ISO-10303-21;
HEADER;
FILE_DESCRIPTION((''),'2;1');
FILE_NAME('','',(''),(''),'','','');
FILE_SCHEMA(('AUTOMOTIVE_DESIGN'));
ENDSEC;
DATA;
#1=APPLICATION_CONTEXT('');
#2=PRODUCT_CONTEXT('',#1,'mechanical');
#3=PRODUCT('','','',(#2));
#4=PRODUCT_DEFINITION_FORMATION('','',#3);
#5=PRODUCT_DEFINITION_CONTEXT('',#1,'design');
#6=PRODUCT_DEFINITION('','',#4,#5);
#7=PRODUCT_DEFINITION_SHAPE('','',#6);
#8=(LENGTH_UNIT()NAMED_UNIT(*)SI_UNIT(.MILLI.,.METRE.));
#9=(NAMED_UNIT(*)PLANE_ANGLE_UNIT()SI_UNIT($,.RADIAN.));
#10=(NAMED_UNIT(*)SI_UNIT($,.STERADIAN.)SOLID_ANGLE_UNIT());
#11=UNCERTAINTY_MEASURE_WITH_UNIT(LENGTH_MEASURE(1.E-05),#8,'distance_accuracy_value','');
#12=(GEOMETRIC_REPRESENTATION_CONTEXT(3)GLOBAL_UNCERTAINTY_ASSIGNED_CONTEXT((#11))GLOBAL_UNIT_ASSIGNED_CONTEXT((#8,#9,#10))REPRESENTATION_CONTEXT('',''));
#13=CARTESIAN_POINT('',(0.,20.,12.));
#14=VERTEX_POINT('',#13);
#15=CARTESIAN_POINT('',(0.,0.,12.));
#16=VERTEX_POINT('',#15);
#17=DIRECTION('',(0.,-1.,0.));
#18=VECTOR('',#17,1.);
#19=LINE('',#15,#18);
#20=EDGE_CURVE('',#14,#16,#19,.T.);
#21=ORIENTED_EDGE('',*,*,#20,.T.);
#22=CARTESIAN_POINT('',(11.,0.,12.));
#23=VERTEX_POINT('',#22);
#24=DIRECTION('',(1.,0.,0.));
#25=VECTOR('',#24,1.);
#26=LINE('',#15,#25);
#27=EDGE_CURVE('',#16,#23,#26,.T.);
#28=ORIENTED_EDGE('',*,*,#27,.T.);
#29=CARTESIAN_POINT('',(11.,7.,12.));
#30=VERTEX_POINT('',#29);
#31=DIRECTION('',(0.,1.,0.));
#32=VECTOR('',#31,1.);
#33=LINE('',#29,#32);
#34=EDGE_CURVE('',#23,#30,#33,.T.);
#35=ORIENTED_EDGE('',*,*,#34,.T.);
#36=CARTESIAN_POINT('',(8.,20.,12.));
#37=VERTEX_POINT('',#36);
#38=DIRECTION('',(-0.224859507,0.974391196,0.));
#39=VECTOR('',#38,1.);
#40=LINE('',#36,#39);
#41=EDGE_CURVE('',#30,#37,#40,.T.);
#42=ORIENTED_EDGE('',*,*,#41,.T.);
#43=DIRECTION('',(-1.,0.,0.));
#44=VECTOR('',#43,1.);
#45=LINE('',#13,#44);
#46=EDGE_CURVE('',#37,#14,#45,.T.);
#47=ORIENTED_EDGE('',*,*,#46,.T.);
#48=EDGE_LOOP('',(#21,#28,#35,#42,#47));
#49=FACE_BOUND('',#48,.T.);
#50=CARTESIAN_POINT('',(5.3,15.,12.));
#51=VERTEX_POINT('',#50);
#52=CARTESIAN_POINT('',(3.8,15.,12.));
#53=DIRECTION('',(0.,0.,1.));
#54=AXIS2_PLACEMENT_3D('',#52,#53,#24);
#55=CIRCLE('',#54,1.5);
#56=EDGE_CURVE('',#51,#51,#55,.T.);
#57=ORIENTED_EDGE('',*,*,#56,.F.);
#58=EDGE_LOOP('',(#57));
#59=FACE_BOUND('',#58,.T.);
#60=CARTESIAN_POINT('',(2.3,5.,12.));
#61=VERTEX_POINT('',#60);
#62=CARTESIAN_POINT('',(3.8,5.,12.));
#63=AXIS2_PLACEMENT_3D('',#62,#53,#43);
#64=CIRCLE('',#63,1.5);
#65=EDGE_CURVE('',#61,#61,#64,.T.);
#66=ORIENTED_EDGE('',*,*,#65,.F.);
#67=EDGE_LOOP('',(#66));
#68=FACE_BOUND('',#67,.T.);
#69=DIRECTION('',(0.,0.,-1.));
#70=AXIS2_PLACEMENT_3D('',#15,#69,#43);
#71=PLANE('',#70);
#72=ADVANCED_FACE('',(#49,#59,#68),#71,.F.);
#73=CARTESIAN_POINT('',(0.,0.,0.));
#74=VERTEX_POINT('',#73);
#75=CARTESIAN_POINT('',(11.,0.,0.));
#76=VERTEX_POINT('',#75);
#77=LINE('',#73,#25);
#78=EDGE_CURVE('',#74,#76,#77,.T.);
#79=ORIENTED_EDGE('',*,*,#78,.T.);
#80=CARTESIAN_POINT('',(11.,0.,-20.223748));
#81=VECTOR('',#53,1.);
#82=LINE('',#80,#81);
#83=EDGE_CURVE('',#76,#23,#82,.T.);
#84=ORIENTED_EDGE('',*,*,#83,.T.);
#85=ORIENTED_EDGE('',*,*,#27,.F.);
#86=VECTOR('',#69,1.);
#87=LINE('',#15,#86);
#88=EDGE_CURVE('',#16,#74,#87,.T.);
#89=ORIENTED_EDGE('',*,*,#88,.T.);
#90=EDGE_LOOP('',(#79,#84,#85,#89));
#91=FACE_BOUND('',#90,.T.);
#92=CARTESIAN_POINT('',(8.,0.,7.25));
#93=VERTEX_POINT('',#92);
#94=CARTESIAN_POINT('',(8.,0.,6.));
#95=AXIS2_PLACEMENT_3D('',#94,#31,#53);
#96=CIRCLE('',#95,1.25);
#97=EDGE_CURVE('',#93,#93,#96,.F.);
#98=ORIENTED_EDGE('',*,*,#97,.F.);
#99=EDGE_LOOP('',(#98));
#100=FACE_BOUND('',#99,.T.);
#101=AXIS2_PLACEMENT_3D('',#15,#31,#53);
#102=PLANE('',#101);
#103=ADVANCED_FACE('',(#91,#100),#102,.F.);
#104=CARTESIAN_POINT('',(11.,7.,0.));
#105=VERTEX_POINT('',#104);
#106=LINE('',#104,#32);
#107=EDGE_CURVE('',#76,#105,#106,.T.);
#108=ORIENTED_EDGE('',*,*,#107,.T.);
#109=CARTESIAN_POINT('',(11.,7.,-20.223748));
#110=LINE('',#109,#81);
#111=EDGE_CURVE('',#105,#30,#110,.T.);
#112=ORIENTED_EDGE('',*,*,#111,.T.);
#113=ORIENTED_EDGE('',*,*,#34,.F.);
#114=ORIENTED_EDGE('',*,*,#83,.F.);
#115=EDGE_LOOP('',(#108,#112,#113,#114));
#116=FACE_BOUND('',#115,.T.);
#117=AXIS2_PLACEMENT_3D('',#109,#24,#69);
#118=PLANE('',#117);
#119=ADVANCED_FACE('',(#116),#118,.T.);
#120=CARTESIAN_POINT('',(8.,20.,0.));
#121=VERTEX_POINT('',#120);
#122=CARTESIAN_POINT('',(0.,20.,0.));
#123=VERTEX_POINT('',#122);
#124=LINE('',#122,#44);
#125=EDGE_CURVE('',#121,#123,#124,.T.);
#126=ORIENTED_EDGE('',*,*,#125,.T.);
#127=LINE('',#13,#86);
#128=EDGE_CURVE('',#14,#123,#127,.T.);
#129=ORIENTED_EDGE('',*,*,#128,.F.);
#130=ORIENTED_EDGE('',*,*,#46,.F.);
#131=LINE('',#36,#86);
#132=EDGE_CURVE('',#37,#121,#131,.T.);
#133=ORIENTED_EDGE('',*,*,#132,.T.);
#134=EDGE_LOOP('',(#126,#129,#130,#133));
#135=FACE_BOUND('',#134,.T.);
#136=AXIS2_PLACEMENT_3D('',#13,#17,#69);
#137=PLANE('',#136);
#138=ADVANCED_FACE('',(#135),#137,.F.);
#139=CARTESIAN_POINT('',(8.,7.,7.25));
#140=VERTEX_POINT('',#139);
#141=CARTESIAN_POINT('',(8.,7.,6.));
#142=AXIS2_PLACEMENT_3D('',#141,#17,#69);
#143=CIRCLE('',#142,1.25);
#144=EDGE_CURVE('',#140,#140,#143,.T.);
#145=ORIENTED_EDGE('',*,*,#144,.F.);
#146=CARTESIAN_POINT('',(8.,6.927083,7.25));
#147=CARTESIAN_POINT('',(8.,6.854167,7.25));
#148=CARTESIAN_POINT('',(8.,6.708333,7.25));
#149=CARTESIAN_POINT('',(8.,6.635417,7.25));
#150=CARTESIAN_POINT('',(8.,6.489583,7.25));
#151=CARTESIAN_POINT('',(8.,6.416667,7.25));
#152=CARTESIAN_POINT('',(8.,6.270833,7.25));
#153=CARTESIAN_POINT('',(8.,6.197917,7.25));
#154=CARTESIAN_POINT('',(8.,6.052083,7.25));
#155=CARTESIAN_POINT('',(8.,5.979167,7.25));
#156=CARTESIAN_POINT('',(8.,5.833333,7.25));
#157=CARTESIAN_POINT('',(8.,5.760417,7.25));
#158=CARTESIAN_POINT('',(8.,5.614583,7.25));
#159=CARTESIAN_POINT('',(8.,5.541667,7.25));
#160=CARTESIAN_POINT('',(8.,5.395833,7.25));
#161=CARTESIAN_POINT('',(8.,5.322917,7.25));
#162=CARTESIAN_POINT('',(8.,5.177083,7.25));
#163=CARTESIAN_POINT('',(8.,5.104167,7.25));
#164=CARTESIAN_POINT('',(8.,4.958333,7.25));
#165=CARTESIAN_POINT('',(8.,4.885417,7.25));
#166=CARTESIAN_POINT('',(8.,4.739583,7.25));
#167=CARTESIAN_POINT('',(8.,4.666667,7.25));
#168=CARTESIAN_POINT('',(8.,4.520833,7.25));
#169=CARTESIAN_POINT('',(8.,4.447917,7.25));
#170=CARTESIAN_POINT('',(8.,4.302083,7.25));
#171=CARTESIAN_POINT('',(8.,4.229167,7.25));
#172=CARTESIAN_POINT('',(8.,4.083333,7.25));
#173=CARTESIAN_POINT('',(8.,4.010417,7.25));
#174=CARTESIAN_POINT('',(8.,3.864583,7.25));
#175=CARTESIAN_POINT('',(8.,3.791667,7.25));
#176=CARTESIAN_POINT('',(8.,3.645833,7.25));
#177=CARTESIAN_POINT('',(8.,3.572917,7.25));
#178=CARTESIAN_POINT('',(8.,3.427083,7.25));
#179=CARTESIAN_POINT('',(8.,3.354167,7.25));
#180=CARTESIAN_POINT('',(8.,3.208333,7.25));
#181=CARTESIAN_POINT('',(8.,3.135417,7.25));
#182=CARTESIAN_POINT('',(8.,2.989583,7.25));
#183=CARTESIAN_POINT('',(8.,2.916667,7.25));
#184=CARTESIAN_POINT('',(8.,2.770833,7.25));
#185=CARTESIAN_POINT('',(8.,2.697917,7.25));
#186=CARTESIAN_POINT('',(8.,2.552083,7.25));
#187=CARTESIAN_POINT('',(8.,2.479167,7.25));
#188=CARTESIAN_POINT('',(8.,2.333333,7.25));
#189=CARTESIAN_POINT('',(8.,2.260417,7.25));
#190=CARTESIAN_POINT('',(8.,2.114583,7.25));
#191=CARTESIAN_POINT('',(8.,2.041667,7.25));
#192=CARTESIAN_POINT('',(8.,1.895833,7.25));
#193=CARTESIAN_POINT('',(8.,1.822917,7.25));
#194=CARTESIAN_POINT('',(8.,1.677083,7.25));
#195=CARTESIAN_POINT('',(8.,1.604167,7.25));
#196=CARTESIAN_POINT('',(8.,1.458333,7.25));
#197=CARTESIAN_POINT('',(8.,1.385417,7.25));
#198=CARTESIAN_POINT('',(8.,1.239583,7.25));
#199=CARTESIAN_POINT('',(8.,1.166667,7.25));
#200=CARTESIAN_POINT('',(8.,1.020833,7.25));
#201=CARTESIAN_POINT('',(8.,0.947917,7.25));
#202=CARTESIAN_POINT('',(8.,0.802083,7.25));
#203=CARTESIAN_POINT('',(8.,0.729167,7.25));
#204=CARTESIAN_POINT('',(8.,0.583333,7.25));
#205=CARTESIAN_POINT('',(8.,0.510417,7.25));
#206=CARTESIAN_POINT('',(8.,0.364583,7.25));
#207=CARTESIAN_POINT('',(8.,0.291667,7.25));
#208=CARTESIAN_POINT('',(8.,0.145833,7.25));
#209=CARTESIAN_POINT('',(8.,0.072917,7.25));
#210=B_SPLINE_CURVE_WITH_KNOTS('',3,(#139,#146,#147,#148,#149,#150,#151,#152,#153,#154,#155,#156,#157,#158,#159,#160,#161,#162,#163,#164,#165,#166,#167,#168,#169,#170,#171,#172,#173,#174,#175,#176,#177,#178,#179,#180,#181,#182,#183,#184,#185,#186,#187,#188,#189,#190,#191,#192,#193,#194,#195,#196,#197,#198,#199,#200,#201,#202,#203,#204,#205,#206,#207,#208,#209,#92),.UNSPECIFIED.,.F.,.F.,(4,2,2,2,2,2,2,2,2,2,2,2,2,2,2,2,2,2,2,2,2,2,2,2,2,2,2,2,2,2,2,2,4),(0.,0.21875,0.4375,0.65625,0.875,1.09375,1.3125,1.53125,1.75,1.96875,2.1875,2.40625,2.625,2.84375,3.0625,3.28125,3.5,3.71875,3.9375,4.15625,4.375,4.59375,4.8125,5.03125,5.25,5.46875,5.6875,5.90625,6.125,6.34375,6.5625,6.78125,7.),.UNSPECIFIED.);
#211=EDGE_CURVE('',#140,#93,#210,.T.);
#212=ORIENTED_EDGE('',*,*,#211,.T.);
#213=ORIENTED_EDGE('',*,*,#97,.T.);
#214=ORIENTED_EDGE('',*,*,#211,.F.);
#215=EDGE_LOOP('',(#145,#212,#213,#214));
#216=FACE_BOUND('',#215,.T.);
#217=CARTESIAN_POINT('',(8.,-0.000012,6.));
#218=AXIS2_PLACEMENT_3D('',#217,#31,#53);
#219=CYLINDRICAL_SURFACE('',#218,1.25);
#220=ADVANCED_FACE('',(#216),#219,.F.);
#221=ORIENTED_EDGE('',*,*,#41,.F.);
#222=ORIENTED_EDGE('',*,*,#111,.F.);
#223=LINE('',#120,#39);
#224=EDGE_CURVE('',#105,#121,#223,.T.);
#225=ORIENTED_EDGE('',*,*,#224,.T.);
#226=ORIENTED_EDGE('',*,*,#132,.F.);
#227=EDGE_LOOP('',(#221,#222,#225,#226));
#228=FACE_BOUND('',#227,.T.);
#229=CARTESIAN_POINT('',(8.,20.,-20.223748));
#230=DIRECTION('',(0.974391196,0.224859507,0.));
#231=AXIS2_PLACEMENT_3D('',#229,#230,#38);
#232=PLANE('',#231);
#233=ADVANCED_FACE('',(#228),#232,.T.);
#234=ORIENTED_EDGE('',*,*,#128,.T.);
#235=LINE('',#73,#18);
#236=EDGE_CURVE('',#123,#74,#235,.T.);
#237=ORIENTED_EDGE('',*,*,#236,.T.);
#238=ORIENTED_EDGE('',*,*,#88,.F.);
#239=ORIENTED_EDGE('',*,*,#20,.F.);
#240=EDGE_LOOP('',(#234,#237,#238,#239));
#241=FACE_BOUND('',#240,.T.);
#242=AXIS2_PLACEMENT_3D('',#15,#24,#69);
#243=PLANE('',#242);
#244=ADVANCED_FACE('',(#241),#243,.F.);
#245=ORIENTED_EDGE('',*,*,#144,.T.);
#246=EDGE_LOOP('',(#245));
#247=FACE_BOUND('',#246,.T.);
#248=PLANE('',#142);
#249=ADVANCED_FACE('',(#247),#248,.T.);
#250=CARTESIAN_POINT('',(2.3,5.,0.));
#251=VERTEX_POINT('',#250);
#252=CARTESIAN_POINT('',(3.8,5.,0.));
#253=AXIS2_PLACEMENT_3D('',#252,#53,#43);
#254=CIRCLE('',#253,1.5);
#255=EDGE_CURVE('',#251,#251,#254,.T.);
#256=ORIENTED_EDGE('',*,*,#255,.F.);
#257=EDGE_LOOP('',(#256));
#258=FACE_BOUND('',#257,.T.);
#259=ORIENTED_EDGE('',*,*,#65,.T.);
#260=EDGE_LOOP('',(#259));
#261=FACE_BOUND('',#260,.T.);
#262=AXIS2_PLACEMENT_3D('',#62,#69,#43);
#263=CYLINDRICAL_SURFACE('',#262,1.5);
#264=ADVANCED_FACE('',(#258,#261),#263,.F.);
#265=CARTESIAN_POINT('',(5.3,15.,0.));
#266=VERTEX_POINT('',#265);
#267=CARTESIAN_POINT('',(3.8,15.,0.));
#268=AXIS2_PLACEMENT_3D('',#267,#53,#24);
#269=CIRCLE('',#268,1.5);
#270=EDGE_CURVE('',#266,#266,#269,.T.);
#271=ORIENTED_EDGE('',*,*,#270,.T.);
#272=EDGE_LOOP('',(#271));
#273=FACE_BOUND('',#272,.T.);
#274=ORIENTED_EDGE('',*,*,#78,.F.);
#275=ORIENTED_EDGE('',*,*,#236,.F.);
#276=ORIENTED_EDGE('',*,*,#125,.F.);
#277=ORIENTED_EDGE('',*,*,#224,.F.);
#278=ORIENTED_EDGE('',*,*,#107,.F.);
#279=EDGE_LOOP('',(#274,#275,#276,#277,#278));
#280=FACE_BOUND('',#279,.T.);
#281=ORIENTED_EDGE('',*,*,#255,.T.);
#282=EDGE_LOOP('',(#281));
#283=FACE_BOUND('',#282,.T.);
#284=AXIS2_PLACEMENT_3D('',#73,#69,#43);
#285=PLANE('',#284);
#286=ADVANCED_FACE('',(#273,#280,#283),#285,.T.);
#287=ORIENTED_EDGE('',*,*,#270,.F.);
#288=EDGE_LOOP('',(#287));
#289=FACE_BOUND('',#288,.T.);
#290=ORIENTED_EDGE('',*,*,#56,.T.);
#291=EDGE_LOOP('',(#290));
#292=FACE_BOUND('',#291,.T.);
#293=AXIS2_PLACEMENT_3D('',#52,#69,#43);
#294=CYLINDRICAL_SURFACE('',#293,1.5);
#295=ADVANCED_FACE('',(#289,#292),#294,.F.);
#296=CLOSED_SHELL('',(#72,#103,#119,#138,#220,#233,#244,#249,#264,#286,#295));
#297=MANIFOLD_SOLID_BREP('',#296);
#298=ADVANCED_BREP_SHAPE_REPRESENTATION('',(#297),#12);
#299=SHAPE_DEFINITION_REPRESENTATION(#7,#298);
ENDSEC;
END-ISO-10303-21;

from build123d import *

# Parameters (mm, degrees)
SKETCH_1_W               = 8
SKETCH_1_H               = 20
SKETCH_1_R               = 1.5
EXTRUDE_1_DEPTH          = 12
EXTRUDE_2_DEPTH          = 12
CUT_EXTRUDE_1_DEPTH      = 26.787593916
CUT_EXTRUDE_1_DEPTH_BACK = 7
SKETCH_3_R               = 1.25


with BuildPart() as part:
    # 草图1 → 凸台-拉伸1 (new body)
    with BuildSketch(Plane.XY):
        with Locations((4, 10)):
            Rectangle(SKETCH_1_W, SKETCH_1_H)
        with Locations((3.8, 15)):
            Circle(SKETCH_1_R, mode=Mode.SUBTRACT)
        with Locations(Location((3.8, 5, 0), (0, 0, 180))):
            Circle(SKETCH_1_R, mode=Mode.SUBTRACT)
    extrude(amount=EXTRUDE_1_DEPTH)

    # 草图2 → 凸台-拉伸2 (add)
    with BuildSketch(Plane.XY.offset(12)):
        Polygon((8, 20), (11, 7), (11, 0), (8, 0), align=None)
    extrude(amount=-EXTRUDE_2_DEPTH)

    # 草图3 → 切除-拉伸1 (cut, two sides: drawn at the far end of the back side and taken through both)
    with BuildSketch(Plane.XZ.offset(-CUT_EXTRUDE_1_DEPTH_BACK)):
        with Locations(Location((8, 6, 0), (0, 0, 90))):
            Circle(SKETCH_3_R)
    extrude(amount=CUT_EXTRUDE_1_DEPTH + CUT_EXTRUDE_1_DEPTH_BACK, mode=Mode.SUBTRACT)


solid = part.part
